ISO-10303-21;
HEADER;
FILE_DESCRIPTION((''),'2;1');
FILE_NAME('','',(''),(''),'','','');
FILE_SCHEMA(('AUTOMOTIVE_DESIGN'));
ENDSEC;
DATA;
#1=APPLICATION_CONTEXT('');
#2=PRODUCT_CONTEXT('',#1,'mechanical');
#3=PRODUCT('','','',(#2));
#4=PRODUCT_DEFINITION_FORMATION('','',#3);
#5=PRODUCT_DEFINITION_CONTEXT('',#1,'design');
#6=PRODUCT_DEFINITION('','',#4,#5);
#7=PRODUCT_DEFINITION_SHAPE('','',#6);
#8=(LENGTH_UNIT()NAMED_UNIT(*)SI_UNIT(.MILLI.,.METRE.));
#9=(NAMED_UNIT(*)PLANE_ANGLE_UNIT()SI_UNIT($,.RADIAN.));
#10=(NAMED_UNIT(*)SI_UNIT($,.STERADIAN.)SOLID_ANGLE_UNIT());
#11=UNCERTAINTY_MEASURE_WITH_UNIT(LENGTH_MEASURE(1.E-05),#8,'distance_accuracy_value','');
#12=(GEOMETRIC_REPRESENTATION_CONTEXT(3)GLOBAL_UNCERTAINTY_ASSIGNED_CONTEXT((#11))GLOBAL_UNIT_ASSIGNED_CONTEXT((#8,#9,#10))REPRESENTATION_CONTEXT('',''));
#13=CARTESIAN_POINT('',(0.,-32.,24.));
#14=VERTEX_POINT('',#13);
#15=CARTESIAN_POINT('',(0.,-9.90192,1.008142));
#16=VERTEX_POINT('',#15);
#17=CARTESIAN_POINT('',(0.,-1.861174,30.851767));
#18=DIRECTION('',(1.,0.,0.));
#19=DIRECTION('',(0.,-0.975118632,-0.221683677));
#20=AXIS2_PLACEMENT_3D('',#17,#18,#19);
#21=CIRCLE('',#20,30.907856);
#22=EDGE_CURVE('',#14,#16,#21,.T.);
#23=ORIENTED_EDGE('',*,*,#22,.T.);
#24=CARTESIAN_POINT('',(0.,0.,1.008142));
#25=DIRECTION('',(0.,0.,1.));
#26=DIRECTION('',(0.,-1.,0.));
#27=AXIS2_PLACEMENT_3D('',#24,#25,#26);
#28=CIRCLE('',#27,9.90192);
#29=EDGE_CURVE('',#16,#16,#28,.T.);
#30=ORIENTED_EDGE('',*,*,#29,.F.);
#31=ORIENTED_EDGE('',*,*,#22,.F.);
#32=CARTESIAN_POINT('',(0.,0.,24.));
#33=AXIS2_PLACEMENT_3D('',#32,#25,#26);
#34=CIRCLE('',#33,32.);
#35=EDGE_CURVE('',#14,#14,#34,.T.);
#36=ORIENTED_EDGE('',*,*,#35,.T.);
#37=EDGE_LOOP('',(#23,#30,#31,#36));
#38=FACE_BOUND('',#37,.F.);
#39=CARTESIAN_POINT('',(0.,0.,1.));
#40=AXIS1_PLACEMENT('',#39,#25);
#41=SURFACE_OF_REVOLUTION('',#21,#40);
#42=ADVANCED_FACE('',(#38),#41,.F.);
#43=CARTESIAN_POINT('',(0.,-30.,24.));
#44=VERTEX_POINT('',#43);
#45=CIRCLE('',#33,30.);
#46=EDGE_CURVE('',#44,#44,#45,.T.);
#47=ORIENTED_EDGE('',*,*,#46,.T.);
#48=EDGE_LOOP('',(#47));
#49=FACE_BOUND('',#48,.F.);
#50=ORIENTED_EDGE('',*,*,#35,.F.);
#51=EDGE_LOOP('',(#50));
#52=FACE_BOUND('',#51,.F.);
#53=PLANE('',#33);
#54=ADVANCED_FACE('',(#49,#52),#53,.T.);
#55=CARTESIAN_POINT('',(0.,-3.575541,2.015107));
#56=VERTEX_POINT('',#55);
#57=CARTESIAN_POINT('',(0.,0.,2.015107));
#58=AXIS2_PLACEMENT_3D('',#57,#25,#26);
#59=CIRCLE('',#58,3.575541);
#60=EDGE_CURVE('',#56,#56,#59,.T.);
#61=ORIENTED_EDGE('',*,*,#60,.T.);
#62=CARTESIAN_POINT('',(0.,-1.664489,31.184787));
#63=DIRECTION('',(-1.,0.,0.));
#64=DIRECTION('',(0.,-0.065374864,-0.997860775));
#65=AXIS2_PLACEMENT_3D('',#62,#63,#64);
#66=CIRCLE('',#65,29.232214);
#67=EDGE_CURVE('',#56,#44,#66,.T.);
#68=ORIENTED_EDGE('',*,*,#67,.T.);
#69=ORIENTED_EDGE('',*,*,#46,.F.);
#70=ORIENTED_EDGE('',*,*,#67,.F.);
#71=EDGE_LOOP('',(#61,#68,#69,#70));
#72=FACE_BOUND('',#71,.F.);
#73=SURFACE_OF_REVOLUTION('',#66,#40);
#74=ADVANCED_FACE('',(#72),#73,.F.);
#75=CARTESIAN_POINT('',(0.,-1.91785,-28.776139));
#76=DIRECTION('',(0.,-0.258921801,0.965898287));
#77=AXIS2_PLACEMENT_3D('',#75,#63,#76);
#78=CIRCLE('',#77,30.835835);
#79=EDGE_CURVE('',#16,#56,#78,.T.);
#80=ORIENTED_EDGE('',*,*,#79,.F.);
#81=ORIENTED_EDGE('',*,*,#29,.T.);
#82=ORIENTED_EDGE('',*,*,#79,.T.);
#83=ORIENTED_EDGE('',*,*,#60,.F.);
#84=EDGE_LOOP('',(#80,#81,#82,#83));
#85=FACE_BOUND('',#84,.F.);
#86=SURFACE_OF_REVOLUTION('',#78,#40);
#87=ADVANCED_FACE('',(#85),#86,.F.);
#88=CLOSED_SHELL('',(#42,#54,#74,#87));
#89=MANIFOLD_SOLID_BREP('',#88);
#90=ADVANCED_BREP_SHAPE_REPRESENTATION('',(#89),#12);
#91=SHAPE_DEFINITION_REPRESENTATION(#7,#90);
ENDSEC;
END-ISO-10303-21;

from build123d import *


with BuildPart() as f1:
    # F0 (on Right) → F1 (revolve)
    with BuildSketch(Plane.YZ):
        with BuildLine():
            Line((-30, 24), (-32, 24))
            ThreePointArc((-32, 24), (-24.145166, 9.434035), (-9.90192, 1.008142))
            ThreePointArc((-9.90192, 1.008142), (-6.76495, 1.676355), (-3.575541, 2.015107))
            ThreePointArc((-3.575541, 2.015107), (-20.360679, 8.713142), (-30, 24))
        make_face()
    revolve(axis=Axis((0, 0, 1), (0, 0, 1)))


solid = f1.part
